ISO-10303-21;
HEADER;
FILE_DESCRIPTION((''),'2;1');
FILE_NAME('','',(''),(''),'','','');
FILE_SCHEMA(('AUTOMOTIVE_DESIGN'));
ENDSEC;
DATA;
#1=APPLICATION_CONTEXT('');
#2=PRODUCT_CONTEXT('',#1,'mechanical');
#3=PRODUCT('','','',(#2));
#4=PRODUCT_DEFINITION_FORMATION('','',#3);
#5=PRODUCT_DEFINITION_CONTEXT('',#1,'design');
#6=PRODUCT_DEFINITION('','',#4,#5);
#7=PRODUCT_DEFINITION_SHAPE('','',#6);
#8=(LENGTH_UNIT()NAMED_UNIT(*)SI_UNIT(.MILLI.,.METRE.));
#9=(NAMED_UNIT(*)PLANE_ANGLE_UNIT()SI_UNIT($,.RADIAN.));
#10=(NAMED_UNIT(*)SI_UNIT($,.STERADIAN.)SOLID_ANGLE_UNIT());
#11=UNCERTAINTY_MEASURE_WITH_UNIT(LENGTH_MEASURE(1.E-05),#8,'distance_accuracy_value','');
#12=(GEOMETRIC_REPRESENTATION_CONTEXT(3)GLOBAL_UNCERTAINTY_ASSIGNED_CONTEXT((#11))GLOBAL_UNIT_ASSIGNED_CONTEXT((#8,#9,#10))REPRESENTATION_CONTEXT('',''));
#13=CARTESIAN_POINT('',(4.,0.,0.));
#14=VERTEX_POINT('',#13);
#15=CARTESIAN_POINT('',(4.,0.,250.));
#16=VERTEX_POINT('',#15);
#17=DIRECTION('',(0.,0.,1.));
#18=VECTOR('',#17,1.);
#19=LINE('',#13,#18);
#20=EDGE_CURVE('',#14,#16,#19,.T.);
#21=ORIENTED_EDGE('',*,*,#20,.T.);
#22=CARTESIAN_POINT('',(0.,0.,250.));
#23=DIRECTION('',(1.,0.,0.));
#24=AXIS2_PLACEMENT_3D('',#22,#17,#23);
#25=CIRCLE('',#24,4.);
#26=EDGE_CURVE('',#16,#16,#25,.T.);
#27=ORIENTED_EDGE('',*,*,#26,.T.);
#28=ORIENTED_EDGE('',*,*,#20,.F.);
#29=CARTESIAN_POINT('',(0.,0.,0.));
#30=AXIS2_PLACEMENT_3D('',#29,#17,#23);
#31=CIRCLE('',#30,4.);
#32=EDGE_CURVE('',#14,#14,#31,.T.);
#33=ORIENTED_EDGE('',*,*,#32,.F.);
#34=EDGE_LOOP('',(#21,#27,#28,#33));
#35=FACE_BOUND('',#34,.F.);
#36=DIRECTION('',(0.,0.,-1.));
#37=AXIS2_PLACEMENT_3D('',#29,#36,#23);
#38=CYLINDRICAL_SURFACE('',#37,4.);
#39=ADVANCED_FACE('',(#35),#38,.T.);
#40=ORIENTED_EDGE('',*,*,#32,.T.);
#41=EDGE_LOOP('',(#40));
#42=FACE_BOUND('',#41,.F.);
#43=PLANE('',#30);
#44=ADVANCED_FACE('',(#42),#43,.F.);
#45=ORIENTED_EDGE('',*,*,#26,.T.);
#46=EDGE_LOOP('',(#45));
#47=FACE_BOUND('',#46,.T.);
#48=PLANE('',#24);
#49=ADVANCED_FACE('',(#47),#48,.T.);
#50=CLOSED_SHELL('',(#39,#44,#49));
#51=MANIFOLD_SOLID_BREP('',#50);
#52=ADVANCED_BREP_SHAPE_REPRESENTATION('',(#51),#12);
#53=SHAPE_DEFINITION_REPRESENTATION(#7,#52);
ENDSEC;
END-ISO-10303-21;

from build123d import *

# Parameters (mm, degrees)
SKETCH1_R           = 4
BOSS_EXTRUDE1_DEPTH = 250


with BuildPart() as part:
    # Sketch1 → Boss-Extrude1 (new body)
    with BuildSketch(Plane.XY):
        Circle(SKETCH1_R)
    extrude(amount=BOSS_EXTRUDE1_DEPTH)


solid = part.part
